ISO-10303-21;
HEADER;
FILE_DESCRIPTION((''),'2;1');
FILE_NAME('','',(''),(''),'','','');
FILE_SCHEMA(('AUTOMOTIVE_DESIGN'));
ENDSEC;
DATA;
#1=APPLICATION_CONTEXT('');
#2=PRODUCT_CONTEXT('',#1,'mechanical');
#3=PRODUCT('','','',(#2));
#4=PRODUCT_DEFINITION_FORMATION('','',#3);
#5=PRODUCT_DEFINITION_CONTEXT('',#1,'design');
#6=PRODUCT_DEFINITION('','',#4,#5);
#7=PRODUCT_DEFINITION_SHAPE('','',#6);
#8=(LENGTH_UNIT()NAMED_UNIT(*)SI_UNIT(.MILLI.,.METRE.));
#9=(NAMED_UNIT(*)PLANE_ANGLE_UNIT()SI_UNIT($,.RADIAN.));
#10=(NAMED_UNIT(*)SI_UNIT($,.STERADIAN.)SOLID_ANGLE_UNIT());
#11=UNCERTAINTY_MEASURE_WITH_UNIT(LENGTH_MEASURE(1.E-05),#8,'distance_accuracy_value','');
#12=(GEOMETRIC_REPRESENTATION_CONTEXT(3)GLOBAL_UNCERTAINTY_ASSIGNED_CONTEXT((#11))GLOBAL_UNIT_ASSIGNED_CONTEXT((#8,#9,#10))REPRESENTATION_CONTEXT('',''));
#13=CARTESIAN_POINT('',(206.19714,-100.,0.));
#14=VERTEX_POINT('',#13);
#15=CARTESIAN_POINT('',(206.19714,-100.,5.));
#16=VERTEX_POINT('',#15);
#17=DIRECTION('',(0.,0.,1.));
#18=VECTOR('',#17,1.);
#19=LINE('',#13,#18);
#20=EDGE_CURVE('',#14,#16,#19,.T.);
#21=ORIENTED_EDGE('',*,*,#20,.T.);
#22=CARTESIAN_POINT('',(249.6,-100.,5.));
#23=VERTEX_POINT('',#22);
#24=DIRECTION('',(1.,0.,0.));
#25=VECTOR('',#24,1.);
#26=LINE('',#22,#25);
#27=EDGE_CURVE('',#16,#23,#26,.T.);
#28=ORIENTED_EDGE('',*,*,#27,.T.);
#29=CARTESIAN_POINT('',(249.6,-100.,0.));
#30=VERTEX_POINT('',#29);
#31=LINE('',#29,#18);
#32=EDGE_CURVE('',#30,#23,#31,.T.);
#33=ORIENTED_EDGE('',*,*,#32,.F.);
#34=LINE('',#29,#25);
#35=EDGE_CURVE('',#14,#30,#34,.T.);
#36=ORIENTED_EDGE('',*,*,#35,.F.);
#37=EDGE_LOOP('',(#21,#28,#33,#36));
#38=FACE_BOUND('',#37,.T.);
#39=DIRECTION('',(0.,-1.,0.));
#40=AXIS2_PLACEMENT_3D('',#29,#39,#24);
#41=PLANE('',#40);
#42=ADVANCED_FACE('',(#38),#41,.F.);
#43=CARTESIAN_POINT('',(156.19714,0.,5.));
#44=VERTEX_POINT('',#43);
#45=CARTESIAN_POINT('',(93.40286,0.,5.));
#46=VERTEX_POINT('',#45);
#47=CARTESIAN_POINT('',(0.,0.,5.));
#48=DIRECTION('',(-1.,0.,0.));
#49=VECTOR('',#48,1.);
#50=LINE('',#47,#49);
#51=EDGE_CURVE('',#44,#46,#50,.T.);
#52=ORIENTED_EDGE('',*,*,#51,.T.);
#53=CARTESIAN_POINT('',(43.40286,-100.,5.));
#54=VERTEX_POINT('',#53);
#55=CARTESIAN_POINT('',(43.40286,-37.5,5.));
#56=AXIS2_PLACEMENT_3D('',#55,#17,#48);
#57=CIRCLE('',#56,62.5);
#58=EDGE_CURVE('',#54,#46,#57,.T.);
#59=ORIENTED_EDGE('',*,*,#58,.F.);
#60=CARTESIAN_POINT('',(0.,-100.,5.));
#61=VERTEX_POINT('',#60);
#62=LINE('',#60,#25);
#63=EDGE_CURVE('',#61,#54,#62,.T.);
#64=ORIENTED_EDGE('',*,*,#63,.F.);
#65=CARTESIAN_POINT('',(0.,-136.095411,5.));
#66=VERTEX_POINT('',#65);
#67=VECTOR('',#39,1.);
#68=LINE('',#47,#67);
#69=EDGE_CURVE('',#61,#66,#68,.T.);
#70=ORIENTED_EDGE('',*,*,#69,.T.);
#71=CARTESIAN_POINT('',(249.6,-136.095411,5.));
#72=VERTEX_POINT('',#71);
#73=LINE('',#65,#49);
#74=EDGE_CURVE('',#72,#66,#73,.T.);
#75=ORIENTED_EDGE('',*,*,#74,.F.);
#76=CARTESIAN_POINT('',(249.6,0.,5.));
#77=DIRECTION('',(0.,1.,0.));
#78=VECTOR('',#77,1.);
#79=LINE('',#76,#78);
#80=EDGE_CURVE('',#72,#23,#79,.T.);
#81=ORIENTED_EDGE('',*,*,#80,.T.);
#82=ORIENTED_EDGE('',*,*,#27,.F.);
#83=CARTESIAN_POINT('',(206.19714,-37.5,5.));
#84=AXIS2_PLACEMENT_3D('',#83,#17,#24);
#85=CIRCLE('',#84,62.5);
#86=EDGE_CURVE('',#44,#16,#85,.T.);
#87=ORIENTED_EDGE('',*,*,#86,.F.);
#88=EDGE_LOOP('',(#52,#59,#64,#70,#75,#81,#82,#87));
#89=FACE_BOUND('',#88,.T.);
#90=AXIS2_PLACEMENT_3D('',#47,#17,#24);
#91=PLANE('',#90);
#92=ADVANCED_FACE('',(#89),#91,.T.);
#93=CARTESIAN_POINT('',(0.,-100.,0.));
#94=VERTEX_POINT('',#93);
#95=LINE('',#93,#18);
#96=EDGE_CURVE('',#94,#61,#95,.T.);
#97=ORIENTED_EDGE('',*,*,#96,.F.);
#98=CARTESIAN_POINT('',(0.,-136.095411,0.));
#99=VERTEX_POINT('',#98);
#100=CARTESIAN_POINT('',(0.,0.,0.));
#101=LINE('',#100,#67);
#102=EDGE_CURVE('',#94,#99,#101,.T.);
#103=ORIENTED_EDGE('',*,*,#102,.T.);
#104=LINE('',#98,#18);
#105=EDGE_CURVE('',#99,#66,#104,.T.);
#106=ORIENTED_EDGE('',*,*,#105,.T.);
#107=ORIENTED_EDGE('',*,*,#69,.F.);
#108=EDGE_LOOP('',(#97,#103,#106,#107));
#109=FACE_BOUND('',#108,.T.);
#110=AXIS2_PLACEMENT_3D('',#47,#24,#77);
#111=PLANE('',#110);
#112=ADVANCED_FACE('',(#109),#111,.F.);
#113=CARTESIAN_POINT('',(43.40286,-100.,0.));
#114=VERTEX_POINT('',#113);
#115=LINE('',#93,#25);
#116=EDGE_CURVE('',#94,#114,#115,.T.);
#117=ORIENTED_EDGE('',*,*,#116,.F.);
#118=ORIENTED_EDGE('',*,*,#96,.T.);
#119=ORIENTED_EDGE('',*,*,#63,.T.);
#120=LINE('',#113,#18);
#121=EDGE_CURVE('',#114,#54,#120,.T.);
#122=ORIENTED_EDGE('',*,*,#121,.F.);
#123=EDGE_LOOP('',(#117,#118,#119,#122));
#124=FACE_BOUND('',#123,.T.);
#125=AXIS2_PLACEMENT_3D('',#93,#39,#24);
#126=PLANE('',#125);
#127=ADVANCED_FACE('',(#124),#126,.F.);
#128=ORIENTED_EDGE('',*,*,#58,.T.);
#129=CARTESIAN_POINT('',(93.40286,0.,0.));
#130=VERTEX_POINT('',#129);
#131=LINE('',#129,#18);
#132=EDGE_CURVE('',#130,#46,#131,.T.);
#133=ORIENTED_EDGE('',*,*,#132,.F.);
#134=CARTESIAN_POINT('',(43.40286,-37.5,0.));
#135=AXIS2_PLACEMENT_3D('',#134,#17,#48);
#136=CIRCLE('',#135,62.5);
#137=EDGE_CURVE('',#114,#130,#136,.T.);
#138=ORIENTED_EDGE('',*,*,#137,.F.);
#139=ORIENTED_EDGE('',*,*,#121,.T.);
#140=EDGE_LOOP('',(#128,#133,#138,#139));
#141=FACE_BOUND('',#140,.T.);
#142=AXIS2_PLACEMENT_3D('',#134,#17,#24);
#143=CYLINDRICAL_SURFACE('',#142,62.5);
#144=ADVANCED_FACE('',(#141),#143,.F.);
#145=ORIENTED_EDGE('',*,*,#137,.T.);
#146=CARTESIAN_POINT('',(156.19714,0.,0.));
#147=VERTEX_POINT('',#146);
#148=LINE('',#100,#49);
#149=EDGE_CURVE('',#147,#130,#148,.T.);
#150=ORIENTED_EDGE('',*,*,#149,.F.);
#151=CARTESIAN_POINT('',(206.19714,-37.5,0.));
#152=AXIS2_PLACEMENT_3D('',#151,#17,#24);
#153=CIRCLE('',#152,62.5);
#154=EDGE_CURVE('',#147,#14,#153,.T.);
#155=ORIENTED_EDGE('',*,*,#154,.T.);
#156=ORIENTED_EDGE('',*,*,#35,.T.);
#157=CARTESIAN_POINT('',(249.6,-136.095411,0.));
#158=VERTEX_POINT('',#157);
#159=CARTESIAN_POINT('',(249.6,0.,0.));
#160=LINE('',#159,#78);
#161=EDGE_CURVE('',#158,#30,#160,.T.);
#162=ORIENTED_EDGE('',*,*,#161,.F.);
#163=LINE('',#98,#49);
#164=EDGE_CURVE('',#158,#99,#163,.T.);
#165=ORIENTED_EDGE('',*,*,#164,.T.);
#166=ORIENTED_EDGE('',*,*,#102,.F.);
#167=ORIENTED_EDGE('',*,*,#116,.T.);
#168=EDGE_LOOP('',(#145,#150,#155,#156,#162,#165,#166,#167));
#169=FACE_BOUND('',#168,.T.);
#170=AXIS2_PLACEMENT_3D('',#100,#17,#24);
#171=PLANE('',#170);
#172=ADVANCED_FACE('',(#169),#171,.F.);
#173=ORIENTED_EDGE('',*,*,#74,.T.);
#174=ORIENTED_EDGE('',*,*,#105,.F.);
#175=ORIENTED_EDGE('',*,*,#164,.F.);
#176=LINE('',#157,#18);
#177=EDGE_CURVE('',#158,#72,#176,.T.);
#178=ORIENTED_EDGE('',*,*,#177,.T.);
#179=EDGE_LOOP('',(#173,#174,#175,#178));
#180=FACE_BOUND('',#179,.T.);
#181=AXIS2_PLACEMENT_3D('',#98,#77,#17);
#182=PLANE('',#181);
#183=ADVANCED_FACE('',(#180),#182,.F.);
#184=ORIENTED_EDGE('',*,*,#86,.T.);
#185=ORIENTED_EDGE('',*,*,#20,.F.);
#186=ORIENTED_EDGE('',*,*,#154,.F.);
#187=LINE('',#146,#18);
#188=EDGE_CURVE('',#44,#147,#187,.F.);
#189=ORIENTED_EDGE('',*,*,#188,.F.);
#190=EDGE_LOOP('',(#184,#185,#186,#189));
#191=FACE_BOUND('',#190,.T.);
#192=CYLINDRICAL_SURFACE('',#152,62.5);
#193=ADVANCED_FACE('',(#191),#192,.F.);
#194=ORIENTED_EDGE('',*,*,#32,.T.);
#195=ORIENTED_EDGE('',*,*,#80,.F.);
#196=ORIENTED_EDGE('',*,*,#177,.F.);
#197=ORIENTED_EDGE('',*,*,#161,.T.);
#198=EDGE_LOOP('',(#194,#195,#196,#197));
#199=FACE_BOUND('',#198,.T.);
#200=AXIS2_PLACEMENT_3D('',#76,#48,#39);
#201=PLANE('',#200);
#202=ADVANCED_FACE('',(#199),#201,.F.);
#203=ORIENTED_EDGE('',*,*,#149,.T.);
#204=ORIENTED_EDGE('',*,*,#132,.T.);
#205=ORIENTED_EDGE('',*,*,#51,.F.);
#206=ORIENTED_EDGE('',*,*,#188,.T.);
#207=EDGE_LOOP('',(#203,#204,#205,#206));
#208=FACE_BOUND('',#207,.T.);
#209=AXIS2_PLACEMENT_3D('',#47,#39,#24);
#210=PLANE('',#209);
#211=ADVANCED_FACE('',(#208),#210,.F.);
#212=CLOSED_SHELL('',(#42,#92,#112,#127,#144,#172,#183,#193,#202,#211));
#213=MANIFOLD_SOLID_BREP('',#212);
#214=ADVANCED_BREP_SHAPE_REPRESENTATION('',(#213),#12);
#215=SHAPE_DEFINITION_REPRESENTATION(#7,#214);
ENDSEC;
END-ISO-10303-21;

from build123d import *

# Parameters (mm, degrees)
SKETCH1_W           = 249.6
SKETCH1_H           = 267.4
BOSS_EXTRUDE1_DEPTH = 5
SKETCH5_W           = 249.6
SKETCH5_H           = 131.304588604
CUT_EXTRUDE3_DEPTH  = 6


with BuildPart() as part:
    # Sketch1 → Boss-Extrude1 (new body)
    with BuildSketch(Plane.XY):
        with Locations((124.8, -133.7)):
            Rectangle(SKETCH1_W, SKETCH1_H)
    extrude(amount=BOSS_EXTRUDE1_DEPTH)

    # Sketch5 → Cut-Extrude3 (cut, through all)
    with BuildSketch(Plane.XY.offset(5)):
        with Locations((124.8, -201.747705698)):
            Rectangle(SKETCH5_W, SKETCH5_H)
        with BuildLine():
            Line((249.6, 25), (206.197139999, 25))
            ThreePointArc((206.197139999, 25), (143.697139999, -37.5), (206.197139999, -100))
            Line((206.197139999, -100), (249.6, -100))
            Line((249.6, -100), (249.6, 25))
        make_face()
        with BuildLine():
            Line((0, 25), (0, -100))
            Line((0, -100), (43.402860001, -100))
            ThreePointArc((43.402860001, -100), (105.902860001, -37.5), (43.402860001, 25))
            Line((43.402860001, 25), (0, 25))
        make_face()
    extrude(amount=-CUT_EXTRUDE3_DEPTH, mode=Mode.SUBTRACT)


solid = part.part
